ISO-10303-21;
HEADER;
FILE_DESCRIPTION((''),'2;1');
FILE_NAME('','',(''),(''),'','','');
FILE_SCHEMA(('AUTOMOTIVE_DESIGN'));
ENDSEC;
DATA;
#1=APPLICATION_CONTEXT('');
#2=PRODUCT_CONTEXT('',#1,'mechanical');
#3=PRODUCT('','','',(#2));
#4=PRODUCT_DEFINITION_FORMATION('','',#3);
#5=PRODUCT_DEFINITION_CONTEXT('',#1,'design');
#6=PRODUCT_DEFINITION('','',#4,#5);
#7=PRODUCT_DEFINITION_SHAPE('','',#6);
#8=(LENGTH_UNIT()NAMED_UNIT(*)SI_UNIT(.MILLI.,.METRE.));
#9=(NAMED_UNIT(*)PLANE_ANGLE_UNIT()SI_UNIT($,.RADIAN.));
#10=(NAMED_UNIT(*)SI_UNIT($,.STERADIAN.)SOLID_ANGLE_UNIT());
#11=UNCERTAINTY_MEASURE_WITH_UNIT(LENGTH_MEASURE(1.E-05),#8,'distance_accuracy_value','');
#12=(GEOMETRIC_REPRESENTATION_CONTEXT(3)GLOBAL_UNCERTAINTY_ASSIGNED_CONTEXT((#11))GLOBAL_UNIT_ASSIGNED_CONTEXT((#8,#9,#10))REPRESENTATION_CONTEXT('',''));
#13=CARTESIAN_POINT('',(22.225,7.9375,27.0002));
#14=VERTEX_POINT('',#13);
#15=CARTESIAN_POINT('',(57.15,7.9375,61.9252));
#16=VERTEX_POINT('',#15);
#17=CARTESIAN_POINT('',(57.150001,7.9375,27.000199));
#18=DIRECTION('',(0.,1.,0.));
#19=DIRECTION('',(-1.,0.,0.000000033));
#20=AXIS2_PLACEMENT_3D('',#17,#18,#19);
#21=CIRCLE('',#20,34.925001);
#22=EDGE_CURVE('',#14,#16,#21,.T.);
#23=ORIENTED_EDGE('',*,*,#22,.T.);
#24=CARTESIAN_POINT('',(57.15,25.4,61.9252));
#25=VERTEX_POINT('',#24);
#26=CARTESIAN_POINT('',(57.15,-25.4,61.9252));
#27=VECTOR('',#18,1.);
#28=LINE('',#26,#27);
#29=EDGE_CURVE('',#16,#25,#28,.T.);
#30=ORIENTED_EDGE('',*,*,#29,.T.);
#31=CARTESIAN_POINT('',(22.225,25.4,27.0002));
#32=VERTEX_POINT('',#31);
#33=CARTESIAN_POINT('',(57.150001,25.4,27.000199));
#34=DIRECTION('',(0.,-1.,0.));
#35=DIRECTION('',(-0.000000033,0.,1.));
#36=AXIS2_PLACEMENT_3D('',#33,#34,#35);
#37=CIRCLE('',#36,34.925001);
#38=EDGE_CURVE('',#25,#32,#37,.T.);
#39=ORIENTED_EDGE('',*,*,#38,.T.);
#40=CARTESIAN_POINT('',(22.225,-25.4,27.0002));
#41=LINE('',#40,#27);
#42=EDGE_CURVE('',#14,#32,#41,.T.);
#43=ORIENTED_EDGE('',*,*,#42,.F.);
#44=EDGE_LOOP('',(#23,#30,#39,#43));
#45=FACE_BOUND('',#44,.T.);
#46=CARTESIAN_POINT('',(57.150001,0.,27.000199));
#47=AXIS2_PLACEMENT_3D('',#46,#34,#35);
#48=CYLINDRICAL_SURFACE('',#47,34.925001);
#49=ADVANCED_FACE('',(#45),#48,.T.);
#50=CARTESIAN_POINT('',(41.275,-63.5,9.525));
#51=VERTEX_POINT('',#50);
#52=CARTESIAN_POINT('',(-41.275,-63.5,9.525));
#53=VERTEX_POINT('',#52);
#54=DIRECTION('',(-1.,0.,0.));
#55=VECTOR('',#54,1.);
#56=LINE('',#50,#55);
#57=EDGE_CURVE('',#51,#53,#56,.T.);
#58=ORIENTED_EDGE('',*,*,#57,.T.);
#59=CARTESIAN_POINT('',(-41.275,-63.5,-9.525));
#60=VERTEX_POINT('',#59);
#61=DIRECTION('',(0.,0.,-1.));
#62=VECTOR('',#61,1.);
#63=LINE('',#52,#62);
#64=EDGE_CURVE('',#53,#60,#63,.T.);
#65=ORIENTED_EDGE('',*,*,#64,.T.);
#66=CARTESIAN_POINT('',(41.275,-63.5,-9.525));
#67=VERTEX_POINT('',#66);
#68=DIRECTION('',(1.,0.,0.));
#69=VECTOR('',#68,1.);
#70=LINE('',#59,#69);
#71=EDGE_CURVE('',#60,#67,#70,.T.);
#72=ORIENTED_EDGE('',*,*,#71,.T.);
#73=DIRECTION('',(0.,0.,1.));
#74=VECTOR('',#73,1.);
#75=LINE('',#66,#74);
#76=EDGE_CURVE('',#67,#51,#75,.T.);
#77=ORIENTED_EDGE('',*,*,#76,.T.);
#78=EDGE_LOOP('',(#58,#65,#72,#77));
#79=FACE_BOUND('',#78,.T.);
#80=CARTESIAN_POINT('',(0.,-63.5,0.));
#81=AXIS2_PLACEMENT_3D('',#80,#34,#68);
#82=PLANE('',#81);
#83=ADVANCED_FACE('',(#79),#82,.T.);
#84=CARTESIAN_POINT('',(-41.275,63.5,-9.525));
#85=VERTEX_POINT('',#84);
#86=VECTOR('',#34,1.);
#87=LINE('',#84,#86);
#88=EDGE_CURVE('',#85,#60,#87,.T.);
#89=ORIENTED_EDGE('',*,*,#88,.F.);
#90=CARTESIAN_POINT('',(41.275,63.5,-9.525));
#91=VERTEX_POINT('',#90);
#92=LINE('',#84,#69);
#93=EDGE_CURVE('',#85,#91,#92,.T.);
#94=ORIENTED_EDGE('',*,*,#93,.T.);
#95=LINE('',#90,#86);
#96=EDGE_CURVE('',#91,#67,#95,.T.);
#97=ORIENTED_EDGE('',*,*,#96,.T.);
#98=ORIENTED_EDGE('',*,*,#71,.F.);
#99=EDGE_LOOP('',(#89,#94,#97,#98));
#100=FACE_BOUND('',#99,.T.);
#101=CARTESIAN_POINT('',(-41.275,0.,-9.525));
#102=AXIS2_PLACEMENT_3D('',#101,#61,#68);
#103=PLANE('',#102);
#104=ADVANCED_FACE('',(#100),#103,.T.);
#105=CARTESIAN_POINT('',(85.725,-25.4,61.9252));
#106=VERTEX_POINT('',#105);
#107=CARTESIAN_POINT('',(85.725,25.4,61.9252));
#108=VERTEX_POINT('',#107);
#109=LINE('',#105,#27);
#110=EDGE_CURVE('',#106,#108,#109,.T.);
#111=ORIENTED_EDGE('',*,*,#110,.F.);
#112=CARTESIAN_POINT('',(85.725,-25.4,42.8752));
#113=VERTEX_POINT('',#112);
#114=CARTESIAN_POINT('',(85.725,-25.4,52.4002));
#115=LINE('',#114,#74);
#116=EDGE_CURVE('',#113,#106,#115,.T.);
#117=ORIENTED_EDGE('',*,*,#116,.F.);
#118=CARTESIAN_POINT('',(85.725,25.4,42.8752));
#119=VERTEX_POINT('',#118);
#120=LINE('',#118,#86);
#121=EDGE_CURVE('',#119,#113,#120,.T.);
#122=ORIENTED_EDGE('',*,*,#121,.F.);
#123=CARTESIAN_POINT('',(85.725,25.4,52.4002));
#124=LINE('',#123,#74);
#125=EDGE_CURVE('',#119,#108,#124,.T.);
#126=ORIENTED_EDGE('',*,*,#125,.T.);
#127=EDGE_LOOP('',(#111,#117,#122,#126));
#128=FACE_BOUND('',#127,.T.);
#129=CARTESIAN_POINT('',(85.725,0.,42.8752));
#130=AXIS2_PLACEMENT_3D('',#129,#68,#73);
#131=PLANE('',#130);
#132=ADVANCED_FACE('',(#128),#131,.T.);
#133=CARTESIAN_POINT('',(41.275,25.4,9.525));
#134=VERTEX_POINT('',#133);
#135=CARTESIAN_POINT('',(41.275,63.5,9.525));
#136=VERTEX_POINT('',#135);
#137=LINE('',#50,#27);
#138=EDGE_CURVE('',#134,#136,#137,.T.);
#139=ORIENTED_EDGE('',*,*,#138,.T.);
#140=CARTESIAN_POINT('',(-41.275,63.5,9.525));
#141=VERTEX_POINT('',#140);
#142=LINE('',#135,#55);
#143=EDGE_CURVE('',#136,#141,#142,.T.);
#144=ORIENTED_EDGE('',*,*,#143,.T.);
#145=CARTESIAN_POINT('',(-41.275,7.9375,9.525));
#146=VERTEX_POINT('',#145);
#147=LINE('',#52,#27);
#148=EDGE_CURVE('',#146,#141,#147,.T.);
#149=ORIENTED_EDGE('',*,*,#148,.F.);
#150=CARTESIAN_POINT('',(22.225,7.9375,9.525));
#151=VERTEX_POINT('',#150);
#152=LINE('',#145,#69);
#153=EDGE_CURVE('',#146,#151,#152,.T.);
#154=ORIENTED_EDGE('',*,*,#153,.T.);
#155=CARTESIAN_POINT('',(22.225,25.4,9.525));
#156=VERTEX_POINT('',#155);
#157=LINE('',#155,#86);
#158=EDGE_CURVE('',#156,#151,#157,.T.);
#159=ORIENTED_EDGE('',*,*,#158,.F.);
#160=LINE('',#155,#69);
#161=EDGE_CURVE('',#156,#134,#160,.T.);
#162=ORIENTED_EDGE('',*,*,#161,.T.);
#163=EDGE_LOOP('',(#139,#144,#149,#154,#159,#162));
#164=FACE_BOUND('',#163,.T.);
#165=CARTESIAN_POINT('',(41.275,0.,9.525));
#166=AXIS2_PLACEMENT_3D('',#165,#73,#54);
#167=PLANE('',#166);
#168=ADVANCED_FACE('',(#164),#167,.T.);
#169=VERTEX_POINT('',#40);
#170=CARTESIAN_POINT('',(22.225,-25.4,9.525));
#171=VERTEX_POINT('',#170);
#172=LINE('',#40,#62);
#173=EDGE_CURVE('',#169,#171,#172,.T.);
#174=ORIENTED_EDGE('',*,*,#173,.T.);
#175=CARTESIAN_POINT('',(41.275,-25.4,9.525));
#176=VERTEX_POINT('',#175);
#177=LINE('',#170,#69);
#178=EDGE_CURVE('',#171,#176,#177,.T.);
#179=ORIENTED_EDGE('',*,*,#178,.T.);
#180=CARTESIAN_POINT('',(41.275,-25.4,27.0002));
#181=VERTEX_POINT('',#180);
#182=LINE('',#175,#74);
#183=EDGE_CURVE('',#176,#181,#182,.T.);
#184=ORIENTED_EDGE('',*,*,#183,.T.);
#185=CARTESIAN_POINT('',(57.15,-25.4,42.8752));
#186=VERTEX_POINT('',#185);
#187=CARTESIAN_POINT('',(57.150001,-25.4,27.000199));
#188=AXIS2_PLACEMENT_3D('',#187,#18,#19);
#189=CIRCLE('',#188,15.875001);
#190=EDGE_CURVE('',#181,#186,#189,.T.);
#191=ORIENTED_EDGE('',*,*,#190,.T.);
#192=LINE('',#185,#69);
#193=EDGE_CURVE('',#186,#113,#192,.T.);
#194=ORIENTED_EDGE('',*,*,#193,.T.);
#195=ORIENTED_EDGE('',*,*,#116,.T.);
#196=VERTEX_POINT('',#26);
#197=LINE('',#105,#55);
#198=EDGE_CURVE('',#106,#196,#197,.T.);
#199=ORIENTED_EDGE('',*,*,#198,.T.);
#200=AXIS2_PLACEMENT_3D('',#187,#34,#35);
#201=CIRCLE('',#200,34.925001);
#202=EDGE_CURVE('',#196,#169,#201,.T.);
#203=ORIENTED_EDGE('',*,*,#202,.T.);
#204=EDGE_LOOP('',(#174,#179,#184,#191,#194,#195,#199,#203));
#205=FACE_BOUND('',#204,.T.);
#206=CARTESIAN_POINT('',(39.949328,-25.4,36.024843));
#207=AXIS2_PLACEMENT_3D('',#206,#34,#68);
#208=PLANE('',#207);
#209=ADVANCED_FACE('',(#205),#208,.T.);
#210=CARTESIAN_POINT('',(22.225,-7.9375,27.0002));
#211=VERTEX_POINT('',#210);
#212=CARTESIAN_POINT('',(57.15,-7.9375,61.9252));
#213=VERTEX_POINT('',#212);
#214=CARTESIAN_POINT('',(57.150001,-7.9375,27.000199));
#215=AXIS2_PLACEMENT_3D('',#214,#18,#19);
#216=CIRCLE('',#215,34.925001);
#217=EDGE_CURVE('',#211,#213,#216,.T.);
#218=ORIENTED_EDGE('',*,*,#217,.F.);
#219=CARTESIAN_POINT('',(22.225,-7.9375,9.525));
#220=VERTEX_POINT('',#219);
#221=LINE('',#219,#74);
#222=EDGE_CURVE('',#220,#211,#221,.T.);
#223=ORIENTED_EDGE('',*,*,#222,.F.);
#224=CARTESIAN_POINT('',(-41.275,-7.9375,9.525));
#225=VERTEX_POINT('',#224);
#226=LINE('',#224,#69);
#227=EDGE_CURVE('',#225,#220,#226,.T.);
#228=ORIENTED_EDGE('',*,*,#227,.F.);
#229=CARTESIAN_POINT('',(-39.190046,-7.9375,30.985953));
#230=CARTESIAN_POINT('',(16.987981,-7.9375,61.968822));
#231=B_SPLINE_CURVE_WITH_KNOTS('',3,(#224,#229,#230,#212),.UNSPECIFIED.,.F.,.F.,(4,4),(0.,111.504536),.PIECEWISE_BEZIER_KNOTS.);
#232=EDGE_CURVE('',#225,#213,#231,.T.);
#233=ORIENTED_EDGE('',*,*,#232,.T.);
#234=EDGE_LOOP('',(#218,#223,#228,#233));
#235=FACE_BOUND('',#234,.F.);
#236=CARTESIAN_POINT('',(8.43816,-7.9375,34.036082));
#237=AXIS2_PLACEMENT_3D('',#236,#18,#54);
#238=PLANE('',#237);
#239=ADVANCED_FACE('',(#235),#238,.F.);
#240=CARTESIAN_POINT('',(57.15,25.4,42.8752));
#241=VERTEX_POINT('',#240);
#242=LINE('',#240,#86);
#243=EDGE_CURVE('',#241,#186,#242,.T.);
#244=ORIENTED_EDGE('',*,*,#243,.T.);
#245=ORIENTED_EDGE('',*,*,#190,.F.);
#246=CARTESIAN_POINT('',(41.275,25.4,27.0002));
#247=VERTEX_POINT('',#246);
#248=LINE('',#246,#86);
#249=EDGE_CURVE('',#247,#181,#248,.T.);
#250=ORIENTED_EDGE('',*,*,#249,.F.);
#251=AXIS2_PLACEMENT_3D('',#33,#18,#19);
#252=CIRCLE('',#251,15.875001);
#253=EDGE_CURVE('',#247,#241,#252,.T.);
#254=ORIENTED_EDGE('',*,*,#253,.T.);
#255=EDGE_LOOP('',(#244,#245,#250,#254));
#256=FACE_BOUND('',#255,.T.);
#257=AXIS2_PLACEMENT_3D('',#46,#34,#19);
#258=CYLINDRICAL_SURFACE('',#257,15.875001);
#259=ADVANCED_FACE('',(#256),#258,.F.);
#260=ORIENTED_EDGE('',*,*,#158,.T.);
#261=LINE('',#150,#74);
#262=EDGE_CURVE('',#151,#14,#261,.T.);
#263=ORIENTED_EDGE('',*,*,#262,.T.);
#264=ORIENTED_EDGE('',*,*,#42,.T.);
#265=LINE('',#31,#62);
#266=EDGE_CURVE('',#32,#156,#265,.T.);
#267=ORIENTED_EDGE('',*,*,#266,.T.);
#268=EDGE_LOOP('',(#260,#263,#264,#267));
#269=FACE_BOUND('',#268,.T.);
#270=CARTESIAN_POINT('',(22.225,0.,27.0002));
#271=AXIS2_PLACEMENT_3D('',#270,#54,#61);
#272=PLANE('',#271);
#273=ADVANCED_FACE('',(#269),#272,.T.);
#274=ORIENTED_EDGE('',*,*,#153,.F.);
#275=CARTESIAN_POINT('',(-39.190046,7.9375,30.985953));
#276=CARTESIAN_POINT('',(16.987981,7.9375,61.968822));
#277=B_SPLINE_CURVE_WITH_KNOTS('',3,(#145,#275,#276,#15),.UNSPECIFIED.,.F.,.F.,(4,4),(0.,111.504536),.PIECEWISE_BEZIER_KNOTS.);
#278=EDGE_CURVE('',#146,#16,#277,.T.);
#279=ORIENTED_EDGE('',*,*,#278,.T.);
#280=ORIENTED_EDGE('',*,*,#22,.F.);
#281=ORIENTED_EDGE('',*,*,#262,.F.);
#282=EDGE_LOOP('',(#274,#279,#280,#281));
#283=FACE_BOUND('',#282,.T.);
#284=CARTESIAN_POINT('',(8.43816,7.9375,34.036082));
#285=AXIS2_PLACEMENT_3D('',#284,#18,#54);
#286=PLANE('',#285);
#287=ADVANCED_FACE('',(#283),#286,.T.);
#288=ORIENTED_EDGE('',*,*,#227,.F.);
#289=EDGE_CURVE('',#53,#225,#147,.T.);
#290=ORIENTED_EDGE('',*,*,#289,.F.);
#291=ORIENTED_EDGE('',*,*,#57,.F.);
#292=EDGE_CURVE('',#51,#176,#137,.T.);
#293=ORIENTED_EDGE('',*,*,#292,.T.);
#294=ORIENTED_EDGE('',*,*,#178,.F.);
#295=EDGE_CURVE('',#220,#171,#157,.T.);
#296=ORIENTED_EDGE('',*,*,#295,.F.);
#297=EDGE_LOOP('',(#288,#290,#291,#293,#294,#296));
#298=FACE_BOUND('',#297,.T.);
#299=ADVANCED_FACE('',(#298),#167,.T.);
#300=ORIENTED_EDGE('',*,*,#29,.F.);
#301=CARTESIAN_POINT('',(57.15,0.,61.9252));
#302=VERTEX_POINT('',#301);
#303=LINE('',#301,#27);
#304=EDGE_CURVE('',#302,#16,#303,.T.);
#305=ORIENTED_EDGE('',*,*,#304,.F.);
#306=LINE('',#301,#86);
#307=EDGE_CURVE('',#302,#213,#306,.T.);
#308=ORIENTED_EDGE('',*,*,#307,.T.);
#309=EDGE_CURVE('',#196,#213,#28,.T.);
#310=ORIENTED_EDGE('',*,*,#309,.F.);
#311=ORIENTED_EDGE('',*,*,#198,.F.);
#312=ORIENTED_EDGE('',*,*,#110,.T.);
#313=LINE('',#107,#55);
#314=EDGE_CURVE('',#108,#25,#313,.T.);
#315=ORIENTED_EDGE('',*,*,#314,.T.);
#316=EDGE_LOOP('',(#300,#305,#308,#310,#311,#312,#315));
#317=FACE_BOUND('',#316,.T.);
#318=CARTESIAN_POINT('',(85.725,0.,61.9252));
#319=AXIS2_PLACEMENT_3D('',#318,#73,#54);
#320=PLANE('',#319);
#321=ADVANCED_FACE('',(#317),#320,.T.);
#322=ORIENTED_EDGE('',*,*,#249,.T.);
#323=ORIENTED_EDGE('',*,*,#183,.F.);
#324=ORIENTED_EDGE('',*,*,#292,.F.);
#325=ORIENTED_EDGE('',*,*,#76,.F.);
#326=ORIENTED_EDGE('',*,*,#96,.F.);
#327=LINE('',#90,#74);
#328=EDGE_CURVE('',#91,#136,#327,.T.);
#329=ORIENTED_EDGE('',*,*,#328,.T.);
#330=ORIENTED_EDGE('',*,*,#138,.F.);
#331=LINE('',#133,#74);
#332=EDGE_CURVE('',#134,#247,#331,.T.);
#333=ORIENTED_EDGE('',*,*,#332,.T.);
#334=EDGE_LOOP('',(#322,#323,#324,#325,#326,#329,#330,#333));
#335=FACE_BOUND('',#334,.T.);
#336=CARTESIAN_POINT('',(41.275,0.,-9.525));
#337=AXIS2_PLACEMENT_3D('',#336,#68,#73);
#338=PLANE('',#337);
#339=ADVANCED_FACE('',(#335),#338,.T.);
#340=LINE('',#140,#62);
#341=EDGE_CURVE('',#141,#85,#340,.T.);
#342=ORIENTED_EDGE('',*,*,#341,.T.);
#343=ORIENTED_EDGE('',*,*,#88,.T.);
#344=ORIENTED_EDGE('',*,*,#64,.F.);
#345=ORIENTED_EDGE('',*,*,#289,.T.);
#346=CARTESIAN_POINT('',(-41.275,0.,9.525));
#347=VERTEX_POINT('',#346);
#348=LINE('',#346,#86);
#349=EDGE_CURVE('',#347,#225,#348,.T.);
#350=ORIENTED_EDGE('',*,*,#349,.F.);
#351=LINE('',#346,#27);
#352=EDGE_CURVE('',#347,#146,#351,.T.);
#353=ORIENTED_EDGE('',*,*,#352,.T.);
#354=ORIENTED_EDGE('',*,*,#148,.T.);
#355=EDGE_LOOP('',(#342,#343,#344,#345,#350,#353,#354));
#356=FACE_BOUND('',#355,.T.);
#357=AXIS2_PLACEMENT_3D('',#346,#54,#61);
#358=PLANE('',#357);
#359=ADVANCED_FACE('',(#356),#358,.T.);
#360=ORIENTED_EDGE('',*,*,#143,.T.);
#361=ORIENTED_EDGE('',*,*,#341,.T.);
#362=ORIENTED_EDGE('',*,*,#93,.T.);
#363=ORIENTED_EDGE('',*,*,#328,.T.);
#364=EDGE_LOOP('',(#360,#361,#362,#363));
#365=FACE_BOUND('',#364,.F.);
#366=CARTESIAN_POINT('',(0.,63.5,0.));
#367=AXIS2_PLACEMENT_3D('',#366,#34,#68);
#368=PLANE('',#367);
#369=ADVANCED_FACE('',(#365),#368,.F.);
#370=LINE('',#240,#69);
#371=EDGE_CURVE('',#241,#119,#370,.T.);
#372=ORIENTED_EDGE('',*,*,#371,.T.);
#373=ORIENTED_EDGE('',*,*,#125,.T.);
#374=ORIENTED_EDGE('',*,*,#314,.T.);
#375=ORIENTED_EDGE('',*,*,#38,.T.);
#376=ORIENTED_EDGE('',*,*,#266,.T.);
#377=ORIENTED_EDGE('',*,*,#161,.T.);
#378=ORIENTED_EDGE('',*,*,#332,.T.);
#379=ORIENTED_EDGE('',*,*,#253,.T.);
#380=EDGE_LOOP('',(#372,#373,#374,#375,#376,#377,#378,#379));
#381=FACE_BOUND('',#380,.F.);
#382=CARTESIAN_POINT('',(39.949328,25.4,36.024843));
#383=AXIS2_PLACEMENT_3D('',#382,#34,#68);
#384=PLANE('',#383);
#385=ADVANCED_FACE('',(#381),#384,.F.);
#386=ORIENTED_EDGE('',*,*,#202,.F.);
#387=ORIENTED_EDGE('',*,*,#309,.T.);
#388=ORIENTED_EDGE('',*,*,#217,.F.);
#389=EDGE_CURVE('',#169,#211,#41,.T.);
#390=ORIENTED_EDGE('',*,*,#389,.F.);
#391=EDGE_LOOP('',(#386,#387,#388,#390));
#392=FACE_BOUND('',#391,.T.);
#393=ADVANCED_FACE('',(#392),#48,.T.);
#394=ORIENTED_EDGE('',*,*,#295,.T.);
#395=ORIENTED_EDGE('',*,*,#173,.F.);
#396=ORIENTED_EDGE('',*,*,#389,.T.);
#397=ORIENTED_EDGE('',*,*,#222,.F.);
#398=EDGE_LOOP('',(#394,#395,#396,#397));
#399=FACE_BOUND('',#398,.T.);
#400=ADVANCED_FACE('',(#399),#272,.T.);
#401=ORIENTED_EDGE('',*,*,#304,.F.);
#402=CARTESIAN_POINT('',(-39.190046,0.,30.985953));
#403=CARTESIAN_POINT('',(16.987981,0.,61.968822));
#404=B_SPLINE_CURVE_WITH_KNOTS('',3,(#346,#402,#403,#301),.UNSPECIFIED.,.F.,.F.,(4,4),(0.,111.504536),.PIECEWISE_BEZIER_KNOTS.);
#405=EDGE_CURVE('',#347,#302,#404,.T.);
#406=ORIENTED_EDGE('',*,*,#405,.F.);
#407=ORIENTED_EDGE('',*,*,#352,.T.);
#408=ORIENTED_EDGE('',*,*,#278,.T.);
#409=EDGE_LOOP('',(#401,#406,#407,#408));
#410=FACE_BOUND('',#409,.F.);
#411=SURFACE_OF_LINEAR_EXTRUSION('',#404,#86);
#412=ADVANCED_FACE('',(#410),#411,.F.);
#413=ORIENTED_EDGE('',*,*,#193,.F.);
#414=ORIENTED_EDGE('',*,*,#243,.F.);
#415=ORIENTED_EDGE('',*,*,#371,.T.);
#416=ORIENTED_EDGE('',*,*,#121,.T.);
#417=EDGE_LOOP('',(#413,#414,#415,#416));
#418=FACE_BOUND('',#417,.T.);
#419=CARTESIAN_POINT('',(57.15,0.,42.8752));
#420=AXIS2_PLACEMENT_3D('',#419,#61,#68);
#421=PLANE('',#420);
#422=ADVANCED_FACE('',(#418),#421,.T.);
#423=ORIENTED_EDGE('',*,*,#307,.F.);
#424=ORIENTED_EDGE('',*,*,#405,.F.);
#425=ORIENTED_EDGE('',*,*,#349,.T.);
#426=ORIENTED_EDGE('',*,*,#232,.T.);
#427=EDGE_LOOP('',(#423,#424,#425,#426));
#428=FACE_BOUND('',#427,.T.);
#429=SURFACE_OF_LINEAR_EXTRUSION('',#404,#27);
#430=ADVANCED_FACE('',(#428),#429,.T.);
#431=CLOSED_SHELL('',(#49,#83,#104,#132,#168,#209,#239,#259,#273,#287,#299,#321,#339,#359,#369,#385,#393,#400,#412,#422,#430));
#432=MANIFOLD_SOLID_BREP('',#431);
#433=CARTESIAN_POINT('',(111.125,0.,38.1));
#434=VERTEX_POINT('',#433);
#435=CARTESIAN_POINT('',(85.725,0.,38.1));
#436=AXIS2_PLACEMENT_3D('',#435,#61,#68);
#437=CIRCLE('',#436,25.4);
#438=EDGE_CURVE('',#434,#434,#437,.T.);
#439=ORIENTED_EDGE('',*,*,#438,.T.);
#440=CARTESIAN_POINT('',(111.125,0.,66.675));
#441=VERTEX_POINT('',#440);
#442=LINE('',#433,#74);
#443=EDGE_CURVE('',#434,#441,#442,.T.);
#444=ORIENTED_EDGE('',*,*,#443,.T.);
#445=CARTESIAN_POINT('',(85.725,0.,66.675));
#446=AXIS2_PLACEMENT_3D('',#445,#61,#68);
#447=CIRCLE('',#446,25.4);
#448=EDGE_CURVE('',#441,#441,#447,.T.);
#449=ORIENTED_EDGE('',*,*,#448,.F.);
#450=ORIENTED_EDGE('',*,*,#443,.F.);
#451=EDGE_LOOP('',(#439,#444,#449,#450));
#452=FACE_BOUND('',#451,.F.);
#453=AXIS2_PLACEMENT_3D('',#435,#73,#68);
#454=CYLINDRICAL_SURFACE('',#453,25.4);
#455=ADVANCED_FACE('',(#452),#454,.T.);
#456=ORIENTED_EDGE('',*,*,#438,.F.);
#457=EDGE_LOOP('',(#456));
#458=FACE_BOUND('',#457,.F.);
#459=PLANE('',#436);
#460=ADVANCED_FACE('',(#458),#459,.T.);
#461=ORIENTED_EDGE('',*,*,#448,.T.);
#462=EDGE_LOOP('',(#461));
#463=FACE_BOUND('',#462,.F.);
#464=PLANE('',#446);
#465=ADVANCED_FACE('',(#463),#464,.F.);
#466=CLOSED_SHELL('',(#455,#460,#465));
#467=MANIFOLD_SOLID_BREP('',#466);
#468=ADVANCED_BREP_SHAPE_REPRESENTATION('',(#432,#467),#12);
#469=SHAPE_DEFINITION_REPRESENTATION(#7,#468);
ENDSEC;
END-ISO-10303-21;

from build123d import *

# Parameters (mm, degrees)
F1_DEPTH = 63.5
F0_W     = 25.4
F0_H     = 19.05
F2_DEPTH = 25.4
F3_DEPTH = 7.9375


with BuildPart() as f1:
    # F0 (on Front) → F1 (new body, symmetric)
    with BuildSketch(Plane.XZ):
        Polygon((22.225, 9.525), (-41.275, 9.525), (-41.275, -9.525), (41.275, -9.525), (41.275, 9.525), align=None)
    extrude(amount=F1_DEPTH, both=True)

    # F0 (on Front) → F2 (join, symmetric)
    with BuildSketch(Plane.XZ):
        with BuildLine():
            Line((22.225, 27.0002), (22.225, 9.525))
            Line((22.225, 9.525), (41.275, 9.525))
            Line((41.275, 9.525), (41.275, 27.0002))
            ThreePointArc((41.275, 27.0002), (45.92468, 38.22552), (57.15, 42.8752))
            Line((57.15, 42.8752), (60.325, 42.8752))
            Line((60.325, 42.8752), (60.325, 61.9252))
            Line((60.325, 61.9252), (57.15, 61.9252))
            ThreePointArc((57.15, 61.9252), (32.454296, 51.695904), (22.225, 27.0002))
        make_face()
        with Locations((73.025, 52.4002)):
            Rectangle(F0_W, F0_H)
    extrude(amount=F2_DEPTH, both=True)

    # F0 (on Front) → F3 (join, symmetric)
    with BuildSketch(Plane.XZ):
        with BuildLine():
            add(Edge.make_bspline(
                [(-41.275, 9.525), (-39.190046, 30.985953), (16.987981, 61.968822), (57.15, 61.9252)],
                knots=[0, 0, 0, 0, 111.504536, 111.504536, 111.504536, 111.504536], degree=3))
            Line((-41.275, 9.525), (22.225, 9.525))
            Line((22.225, 9.525), (22.225, 27.0002))
            ThreePointArc((22.225, 27.0002), (32.454296, 51.695904), (57.15, 61.9252))
        make_face()
    extrude(amount=F3_DEPTH, both=True)


with BuildPart() as f4:
    # F0 (on Front) → F4 (revolve)
    with BuildSketch(Plane.XZ):
        Polygon((85.725, 66.675), (85.725, 61.9252), (85.725, 42.8752), (85.725, 38.1), (111.125, 38.1), (111.125, 66.675), align=None)
    revolve(axis=Axis((85.725, 0, 52.4002), (0, 0, -1)))


solid = Compound([f1.part, f4.part])
